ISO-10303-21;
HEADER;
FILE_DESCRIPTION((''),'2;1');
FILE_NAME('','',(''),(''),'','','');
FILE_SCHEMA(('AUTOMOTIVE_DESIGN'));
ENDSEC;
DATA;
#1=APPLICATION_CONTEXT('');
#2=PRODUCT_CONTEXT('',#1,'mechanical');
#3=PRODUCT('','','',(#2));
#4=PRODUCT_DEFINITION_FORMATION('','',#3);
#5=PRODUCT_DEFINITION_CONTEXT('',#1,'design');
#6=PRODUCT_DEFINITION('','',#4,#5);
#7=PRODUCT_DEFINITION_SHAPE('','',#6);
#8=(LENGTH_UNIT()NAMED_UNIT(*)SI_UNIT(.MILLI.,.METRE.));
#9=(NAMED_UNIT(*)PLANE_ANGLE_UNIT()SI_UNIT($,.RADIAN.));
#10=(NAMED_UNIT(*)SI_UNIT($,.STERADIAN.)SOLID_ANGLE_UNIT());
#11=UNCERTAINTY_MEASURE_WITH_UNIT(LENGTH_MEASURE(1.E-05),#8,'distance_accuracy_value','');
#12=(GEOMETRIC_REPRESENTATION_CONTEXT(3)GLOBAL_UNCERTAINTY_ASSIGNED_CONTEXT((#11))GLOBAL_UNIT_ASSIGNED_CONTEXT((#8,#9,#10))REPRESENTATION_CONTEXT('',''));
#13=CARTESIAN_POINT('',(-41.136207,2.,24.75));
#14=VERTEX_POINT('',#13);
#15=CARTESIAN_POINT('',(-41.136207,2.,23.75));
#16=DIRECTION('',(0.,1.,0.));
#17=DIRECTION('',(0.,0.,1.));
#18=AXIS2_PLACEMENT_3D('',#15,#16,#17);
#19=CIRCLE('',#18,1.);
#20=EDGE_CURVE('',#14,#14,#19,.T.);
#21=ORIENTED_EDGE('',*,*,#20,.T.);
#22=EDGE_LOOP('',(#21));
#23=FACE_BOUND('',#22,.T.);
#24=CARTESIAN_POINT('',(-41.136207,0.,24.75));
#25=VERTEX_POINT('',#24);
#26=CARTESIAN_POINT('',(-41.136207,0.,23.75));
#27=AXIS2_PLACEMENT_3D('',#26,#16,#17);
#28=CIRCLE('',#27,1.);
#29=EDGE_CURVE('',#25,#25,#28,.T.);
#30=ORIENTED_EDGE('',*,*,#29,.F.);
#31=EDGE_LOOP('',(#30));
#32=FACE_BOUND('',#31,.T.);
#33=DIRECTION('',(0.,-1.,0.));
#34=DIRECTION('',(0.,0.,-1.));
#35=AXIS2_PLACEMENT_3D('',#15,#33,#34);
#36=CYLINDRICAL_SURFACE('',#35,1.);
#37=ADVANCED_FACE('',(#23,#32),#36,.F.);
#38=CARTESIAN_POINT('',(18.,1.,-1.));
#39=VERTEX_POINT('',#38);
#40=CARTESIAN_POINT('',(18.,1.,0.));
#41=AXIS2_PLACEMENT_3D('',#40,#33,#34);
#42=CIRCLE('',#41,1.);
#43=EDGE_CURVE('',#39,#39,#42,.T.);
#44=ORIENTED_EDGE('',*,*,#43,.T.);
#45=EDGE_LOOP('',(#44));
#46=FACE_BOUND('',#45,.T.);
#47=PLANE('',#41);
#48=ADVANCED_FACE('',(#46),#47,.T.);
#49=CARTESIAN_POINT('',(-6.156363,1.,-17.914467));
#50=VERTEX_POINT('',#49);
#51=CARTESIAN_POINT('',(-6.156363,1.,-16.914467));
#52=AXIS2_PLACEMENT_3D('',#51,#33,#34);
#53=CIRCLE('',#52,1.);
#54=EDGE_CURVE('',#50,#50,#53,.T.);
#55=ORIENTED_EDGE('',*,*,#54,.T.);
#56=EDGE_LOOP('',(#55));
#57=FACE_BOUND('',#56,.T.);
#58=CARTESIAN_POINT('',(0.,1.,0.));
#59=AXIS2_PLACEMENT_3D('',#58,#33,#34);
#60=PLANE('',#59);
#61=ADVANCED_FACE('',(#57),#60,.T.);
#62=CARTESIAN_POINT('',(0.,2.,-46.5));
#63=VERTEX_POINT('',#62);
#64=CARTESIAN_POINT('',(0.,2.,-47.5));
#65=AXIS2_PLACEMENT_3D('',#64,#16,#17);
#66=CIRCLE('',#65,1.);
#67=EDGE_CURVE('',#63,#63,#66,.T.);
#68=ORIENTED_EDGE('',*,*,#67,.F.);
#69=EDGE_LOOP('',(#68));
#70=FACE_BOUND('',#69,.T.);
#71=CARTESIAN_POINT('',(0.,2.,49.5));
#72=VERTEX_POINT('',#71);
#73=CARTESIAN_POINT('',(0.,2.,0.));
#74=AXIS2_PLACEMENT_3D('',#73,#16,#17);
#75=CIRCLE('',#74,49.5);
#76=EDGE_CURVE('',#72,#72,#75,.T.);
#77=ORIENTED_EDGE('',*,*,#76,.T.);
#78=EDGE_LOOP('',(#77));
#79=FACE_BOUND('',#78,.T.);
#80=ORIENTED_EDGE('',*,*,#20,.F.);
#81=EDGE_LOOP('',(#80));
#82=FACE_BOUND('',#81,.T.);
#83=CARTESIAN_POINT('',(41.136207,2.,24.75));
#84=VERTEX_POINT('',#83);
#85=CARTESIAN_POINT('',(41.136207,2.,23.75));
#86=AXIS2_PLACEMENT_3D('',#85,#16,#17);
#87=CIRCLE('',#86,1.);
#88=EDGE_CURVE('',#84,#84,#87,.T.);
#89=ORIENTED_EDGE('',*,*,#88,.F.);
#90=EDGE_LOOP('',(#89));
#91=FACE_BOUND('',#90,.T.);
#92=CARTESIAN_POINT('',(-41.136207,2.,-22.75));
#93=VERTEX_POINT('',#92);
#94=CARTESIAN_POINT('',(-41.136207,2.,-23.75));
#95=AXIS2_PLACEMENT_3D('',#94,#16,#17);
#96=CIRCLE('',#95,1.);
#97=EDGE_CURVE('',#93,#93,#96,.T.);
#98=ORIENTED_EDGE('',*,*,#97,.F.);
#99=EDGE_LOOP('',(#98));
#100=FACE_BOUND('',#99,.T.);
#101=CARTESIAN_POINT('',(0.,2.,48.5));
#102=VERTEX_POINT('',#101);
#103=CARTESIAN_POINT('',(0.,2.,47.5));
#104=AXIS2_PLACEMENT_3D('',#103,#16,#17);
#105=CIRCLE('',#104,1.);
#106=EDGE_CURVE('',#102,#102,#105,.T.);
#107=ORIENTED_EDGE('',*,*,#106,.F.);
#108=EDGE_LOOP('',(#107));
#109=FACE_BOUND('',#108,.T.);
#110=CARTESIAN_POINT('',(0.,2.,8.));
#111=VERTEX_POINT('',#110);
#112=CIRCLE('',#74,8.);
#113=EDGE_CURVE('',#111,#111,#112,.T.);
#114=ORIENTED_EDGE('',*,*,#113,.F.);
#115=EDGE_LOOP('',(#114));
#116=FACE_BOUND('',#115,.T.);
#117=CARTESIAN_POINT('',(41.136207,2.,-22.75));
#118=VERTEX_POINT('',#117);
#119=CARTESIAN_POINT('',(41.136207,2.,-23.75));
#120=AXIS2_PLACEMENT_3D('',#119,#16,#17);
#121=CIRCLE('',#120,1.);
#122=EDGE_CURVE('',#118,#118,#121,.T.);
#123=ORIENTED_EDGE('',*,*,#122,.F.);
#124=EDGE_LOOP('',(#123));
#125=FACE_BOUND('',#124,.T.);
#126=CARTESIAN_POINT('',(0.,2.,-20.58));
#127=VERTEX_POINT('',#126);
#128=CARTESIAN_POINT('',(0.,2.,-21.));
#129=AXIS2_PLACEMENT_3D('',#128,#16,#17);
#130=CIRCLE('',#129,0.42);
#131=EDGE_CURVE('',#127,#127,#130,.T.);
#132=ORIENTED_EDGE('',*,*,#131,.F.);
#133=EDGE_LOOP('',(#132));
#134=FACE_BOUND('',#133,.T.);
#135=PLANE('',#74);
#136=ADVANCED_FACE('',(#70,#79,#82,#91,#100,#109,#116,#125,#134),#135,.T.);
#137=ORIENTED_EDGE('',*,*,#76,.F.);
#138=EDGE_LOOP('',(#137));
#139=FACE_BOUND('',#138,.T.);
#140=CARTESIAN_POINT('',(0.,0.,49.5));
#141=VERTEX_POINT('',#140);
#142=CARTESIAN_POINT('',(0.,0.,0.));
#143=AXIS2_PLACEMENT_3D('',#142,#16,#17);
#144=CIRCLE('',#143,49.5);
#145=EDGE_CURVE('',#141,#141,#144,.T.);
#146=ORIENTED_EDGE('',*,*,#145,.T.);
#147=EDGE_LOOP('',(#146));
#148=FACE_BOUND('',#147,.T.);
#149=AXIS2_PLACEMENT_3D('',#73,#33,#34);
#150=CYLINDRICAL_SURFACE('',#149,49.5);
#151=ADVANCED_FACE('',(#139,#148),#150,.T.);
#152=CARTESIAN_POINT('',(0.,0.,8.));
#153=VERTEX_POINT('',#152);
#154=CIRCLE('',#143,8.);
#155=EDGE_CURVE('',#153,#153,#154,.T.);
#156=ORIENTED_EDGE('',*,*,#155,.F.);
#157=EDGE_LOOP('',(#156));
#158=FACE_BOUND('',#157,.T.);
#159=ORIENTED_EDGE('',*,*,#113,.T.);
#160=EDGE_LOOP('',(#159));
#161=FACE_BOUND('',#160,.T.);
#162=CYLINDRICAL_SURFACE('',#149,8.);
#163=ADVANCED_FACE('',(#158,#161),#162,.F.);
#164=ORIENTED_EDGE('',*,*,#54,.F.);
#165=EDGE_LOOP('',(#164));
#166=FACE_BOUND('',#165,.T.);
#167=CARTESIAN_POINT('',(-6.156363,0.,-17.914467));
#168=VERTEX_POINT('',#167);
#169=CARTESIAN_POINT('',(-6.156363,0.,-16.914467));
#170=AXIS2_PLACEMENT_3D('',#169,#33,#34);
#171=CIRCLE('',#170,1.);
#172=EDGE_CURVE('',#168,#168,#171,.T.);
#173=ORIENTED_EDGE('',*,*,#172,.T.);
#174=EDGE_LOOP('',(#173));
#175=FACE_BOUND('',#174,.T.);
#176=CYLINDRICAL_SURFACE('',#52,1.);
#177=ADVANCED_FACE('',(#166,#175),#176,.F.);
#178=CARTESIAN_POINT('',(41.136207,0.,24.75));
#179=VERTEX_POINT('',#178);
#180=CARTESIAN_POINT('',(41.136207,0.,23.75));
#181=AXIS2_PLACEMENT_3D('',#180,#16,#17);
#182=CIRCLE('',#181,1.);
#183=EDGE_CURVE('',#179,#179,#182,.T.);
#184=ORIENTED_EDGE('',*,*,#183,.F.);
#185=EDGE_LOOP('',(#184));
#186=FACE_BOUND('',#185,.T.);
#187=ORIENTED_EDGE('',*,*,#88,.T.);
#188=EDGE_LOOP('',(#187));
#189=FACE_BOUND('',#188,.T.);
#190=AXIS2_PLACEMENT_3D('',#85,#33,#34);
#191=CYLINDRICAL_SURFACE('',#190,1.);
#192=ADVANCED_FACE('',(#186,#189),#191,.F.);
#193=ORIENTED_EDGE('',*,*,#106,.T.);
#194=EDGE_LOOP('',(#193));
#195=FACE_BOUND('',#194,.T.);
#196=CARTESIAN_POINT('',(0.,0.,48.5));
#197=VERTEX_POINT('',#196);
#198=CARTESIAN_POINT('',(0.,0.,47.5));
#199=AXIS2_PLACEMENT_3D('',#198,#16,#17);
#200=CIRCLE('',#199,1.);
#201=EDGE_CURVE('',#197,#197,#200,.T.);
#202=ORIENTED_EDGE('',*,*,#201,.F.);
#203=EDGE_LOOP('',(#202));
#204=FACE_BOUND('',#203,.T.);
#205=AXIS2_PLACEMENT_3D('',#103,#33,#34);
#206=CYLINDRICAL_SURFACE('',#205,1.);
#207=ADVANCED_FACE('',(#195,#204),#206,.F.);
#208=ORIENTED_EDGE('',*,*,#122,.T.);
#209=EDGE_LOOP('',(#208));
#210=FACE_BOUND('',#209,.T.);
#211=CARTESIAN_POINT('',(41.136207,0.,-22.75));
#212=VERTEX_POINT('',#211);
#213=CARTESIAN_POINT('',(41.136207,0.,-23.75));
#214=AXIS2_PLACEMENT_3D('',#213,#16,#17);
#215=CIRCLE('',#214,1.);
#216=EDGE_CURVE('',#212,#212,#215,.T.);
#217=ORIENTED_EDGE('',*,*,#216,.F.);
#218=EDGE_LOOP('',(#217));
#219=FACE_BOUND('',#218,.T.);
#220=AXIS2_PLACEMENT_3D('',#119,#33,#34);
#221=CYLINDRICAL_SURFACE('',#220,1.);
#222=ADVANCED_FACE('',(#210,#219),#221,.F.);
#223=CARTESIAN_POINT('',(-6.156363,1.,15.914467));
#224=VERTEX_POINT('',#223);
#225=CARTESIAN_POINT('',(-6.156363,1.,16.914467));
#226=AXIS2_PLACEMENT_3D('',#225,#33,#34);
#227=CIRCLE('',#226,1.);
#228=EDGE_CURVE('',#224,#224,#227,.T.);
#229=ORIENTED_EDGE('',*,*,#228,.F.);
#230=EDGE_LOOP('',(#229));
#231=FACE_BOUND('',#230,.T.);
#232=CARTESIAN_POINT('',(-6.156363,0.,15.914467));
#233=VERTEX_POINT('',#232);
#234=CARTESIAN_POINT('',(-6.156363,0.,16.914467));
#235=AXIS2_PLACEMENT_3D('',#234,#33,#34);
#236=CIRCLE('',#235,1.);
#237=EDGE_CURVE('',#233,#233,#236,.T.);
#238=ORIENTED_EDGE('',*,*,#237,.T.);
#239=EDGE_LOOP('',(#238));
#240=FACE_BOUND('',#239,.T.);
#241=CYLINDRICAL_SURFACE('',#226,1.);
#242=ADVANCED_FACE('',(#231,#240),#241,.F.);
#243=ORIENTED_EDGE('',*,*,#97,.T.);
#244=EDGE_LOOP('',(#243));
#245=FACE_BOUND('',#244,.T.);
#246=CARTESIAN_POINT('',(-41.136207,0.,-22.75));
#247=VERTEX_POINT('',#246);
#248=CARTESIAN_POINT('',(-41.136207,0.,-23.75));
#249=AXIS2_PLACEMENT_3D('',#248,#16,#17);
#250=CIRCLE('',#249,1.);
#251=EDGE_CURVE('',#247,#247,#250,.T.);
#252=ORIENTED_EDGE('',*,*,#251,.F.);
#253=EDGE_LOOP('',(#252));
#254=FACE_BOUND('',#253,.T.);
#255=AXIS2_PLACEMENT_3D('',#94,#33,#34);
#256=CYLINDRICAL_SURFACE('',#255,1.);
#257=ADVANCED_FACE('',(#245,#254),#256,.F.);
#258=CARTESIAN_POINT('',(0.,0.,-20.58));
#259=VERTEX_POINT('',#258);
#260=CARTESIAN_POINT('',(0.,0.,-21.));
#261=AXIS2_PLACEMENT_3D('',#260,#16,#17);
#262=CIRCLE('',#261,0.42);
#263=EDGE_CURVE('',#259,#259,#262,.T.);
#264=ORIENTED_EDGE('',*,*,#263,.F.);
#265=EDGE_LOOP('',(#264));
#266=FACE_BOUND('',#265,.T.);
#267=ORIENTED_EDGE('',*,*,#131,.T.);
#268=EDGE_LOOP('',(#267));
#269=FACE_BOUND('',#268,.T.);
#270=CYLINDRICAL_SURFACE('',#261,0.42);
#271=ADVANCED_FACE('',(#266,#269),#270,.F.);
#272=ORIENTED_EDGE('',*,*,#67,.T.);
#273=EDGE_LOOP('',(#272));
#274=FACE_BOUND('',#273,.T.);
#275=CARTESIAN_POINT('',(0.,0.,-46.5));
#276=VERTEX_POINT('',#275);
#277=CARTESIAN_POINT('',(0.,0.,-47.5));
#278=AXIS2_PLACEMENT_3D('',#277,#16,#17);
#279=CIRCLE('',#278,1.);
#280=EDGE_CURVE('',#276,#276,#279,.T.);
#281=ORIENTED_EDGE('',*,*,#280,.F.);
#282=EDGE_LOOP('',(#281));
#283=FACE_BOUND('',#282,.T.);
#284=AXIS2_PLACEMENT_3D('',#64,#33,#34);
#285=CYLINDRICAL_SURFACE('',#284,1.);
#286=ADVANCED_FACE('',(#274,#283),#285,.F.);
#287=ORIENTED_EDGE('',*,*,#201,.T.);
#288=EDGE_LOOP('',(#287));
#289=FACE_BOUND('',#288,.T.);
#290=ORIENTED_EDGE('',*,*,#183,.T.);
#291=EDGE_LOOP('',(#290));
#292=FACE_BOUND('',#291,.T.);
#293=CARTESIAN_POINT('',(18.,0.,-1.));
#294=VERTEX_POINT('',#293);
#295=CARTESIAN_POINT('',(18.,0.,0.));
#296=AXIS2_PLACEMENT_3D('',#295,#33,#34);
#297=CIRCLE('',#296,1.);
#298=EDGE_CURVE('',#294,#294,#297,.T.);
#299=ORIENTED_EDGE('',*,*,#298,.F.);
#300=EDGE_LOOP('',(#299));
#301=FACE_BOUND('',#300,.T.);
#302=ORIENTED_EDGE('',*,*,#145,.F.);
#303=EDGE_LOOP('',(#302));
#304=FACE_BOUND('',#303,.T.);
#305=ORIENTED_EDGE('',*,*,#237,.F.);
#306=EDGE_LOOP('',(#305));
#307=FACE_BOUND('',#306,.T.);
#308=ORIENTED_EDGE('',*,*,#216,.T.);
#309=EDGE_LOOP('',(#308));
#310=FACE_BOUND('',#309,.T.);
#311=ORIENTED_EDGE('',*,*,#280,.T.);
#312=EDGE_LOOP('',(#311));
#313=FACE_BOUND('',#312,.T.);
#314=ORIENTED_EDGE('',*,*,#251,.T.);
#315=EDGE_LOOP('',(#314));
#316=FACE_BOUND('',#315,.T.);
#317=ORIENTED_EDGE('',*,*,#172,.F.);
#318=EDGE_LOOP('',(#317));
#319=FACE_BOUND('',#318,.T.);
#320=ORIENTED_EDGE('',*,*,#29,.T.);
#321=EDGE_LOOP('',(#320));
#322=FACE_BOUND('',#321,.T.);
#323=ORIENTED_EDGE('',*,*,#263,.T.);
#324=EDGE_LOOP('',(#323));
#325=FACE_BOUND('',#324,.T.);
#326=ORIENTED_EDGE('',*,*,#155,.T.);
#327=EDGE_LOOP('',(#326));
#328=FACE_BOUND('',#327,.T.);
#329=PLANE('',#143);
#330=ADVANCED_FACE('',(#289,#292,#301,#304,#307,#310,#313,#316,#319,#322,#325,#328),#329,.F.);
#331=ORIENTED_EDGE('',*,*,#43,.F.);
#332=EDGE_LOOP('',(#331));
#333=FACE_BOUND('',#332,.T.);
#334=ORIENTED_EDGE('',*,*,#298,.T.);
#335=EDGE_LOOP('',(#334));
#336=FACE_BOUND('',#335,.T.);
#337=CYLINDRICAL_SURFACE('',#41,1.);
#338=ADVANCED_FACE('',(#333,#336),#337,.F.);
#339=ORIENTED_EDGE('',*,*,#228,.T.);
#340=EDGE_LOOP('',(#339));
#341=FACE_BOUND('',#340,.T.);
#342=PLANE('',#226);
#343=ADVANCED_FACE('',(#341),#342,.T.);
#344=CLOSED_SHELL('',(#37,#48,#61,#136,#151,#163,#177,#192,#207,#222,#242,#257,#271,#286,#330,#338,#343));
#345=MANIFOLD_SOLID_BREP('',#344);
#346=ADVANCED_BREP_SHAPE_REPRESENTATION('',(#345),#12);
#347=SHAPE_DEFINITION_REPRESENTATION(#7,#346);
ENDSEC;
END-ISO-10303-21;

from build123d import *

# Parameters (mm, degrees)
SKETCH1_R               = 49.5
SKETCH1_R_2             = 8
SKETCH1_R_3             = 1
BOSS_EXTRUDE1_DEPTH     = 2
CUT_EXTRUDE1_DEPTH      = 71.032135481
CUT_EXTRUDE1_DEPTH_BACK = 71.032135481
SKETCH2_R               = 0.42
SKETCH3_R               = 1
CUT_EXTRUDE2_DEPTH      = 1


with BuildPart() as part:
    # Sketch1 → Boss-Extrude1 (new body)
    with BuildSketch(Plane(origin=(0, 0, 0), x_dir=(1, 0, 0), z_dir=(0, 1, 0))):
        with Locations(Location((0, 0, 0), (0, 0, 270))):
            Circle(SKETCH1_R)
        with Locations(Location((0, 0, 0), (0, 0, 270))):
            Circle(SKETCH1_R_2, mode=Mode.SUBTRACT)
        with Locations(Location((0, 47.5, 0), (0, 0, 270))):
            Circle(SKETCH1_R_3, mode=Mode.SUBTRACT)
        with Locations(Location((41.13620668, 23.75, 0), (0, 0, 270))):
            Circle(SKETCH1_R_3, mode=Mode.SUBTRACT)
        with Locations(Location((41.13620668, -23.75, 0), (0, 0, 270))):
            Circle(SKETCH1_R_3, mode=Mode.SUBTRACT)
        with Locations(Location((0, -47.5, 0), (0, 0, 270))):
            Circle(SKETCH1_R_3, mode=Mode.SUBTRACT)
        with Locations(Location((-41.13620668, -23.75, 0), (0, 0, 270))):
            Circle(SKETCH1_R_3, mode=Mode.SUBTRACT)
        with Locations(Location((-41.13620668, 23.75, 0), (0, 0, 270))):
            Circle(SKETCH1_R_3, mode=Mode.SUBTRACT)
    extrude(amount=BOSS_EXTRUDE1_DEPTH)

    # Sketch2 → Cut-Extrude1 (cut, two sides: drawn at the far end of the back side and taken through both)
    with BuildSketch(Plane(origin=(0, 2, 0), x_dir=(1, 0, 0), z_dir=(0, 1, 0)).offset(-CUT_EXTRUDE1_DEPTH_BACK)):
        with Locations(Location((0, 21, 0), (0, 0, 270))):
            Circle(SKETCH2_R)
    extrude(amount=CUT_EXTRUDE1_DEPTH + CUT_EXTRUDE1_DEPTH_BACK, mode=Mode.SUBTRACT)

    # Sketch3 → Cut-Extrude2 (cut)
    with BuildSketch(Plane.XZ):
        with Locations(Location((-6.15636258, 16.914467174, 0), (0, 0, 270))):
            Circle(SKETCH3_R)
        with Locations(Location((-6.15636258, -16.914467174, 0), (0, 0, 270))):
            Circle(SKETCH3_R)
        with Locations(Location((18, 0, 0), (0, 0, 270))):
            Circle(SKETCH3_R)
    extrude(amount=-CUT_EXTRUDE2_DEPTH, mode=Mode.SUBTRACT)


solid = part.part
